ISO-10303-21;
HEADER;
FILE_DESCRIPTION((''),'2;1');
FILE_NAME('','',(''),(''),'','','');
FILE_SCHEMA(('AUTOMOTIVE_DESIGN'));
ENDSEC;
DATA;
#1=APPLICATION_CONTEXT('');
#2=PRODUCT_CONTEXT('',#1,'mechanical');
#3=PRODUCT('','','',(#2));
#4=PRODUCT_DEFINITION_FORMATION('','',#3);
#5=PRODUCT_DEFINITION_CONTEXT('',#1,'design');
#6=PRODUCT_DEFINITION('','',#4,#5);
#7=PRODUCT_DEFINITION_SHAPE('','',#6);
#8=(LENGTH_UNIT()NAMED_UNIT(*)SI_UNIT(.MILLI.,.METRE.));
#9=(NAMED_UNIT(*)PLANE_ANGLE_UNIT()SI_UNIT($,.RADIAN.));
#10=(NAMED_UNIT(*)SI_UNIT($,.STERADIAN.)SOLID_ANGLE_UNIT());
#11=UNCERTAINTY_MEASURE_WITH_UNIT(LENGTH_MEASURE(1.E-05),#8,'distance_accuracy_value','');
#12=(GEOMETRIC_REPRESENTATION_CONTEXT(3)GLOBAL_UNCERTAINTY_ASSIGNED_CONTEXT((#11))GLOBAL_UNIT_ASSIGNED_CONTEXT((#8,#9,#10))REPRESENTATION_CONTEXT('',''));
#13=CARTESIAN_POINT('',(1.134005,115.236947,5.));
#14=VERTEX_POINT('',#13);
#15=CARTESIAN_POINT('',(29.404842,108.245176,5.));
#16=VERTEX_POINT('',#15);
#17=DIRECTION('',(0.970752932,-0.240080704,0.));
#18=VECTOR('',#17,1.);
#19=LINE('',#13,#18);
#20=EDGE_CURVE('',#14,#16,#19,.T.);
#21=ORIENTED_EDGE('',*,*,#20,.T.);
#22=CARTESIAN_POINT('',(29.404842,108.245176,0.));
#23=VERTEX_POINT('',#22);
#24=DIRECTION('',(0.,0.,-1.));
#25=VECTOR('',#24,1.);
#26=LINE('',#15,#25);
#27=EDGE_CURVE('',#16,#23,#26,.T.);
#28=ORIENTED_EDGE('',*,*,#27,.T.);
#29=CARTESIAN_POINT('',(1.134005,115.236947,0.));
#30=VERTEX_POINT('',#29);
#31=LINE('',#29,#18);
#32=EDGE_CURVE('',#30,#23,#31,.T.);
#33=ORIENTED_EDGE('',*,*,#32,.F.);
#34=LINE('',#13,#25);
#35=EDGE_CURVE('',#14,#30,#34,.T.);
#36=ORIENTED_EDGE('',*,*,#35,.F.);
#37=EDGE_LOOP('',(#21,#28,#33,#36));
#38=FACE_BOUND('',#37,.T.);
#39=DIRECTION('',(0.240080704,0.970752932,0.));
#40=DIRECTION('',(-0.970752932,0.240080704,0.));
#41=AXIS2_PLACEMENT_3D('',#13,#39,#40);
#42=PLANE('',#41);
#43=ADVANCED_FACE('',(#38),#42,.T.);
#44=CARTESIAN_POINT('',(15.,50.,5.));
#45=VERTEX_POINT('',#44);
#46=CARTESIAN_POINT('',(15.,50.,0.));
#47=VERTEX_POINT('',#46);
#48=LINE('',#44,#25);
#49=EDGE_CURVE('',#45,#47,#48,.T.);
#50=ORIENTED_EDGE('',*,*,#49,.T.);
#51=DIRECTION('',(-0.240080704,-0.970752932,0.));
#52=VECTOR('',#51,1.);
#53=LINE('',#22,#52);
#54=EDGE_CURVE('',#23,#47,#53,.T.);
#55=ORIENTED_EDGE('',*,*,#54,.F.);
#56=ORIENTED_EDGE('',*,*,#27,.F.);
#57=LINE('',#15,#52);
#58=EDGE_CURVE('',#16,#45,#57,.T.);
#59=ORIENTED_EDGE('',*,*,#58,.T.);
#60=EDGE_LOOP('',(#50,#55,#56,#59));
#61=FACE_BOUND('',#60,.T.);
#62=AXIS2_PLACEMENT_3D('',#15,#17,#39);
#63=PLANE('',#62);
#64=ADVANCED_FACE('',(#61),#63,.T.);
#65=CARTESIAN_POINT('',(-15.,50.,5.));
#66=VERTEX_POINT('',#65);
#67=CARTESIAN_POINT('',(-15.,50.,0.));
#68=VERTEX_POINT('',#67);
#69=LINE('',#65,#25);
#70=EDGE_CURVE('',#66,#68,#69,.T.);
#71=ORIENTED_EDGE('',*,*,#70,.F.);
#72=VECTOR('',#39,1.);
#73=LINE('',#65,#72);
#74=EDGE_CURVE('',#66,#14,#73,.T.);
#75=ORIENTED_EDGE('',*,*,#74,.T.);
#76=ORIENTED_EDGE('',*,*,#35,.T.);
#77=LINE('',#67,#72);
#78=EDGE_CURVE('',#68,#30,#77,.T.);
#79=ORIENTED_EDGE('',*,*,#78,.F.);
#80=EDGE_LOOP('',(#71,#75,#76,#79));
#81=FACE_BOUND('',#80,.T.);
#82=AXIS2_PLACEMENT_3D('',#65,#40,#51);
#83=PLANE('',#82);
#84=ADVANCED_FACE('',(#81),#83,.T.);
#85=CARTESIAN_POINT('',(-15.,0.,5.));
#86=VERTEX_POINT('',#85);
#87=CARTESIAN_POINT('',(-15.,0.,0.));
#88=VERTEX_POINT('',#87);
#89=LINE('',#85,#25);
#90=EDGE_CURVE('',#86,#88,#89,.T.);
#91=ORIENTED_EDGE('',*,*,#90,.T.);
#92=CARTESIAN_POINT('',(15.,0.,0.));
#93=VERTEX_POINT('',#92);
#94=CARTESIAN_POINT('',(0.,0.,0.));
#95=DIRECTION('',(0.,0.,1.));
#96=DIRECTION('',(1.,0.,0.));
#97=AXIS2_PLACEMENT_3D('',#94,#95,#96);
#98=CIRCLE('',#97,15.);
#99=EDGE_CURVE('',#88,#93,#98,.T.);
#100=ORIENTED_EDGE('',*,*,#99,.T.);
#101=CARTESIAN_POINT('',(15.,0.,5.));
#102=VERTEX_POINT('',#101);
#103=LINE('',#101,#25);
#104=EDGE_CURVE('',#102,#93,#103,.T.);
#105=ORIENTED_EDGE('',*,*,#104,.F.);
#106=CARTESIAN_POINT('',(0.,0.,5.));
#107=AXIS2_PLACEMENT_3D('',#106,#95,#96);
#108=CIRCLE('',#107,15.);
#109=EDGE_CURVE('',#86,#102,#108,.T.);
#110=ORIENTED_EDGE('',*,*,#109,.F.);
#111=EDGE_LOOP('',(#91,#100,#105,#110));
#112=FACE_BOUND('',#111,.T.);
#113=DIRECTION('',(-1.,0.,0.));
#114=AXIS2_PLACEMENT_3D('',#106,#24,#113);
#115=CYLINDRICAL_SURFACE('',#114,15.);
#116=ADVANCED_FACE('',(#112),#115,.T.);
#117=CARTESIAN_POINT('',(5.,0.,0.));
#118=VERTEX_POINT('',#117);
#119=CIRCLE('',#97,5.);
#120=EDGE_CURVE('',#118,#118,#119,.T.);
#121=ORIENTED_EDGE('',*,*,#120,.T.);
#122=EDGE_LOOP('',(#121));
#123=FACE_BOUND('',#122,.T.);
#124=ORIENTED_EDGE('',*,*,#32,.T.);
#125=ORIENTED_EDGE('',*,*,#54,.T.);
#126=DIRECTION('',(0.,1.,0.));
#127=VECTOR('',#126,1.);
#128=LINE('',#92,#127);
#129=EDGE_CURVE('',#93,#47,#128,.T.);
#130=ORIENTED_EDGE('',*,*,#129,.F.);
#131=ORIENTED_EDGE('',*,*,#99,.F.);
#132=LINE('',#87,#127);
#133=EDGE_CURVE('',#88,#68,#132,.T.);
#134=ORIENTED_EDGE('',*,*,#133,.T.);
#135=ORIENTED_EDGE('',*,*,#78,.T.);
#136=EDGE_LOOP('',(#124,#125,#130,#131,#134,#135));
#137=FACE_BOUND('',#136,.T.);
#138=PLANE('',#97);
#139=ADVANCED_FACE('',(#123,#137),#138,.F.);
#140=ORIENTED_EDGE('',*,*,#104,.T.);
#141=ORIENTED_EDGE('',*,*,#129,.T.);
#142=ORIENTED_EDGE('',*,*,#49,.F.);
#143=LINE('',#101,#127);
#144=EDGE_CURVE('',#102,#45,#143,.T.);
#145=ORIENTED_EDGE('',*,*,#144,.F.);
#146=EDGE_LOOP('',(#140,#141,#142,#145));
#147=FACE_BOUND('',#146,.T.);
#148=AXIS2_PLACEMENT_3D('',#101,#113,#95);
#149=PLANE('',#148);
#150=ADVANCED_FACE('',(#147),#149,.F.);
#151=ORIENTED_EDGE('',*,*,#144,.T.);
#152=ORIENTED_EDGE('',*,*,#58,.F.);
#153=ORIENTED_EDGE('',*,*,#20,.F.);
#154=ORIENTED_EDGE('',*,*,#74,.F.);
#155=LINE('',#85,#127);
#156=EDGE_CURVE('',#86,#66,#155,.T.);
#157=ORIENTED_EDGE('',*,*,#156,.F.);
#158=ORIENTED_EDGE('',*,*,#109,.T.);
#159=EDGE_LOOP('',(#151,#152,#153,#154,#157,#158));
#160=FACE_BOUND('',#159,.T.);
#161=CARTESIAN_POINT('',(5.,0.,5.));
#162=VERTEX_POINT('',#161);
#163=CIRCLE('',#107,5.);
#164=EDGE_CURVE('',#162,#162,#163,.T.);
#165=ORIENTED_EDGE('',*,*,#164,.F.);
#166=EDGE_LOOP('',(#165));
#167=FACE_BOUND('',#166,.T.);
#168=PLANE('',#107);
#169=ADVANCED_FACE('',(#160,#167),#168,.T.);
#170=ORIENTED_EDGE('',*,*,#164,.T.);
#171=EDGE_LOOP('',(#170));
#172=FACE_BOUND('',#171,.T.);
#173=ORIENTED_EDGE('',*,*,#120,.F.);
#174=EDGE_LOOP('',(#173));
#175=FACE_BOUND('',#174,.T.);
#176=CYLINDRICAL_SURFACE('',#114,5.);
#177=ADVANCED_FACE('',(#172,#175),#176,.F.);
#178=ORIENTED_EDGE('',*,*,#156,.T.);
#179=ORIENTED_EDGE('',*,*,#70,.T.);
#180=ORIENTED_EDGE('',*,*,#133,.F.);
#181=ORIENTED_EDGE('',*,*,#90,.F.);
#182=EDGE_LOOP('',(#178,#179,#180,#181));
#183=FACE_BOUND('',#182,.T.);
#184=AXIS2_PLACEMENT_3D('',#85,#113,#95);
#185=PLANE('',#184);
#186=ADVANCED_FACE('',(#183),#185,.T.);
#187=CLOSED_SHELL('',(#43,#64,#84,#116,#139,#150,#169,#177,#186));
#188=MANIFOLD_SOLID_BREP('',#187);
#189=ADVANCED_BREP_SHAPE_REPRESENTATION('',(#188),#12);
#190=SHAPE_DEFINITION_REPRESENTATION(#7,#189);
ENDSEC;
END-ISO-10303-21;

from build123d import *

# Parameters (mm, degrees)
SKETCH1_R           = 5
BOSS_EXTRUDE1_DEPTH = 5


with BuildPart() as part:
    # Sketch1 → Boss-Extrude1 (new body)
    with BuildSketch(Plane.XY):
        with BuildLine():
            Line((-15, 50), (1.134004543, 115.236947355))
            Line((1.134004543, 115.236947355), (29.404842216, 108.245175944))
            Line((29.404842216, 108.245175944), (15, 50))
            Line((15, 50), (15, 0))
            ThreePointArc((15, 0), (0, -15), (-15, 0))
            Line((-15, 0), (-15, 50))
        make_face()
        Circle(SKETCH1_R, mode=Mode.SUBTRACT)
    extrude(amount=BOSS_EXTRUDE1_DEPTH)


solid = part.part
